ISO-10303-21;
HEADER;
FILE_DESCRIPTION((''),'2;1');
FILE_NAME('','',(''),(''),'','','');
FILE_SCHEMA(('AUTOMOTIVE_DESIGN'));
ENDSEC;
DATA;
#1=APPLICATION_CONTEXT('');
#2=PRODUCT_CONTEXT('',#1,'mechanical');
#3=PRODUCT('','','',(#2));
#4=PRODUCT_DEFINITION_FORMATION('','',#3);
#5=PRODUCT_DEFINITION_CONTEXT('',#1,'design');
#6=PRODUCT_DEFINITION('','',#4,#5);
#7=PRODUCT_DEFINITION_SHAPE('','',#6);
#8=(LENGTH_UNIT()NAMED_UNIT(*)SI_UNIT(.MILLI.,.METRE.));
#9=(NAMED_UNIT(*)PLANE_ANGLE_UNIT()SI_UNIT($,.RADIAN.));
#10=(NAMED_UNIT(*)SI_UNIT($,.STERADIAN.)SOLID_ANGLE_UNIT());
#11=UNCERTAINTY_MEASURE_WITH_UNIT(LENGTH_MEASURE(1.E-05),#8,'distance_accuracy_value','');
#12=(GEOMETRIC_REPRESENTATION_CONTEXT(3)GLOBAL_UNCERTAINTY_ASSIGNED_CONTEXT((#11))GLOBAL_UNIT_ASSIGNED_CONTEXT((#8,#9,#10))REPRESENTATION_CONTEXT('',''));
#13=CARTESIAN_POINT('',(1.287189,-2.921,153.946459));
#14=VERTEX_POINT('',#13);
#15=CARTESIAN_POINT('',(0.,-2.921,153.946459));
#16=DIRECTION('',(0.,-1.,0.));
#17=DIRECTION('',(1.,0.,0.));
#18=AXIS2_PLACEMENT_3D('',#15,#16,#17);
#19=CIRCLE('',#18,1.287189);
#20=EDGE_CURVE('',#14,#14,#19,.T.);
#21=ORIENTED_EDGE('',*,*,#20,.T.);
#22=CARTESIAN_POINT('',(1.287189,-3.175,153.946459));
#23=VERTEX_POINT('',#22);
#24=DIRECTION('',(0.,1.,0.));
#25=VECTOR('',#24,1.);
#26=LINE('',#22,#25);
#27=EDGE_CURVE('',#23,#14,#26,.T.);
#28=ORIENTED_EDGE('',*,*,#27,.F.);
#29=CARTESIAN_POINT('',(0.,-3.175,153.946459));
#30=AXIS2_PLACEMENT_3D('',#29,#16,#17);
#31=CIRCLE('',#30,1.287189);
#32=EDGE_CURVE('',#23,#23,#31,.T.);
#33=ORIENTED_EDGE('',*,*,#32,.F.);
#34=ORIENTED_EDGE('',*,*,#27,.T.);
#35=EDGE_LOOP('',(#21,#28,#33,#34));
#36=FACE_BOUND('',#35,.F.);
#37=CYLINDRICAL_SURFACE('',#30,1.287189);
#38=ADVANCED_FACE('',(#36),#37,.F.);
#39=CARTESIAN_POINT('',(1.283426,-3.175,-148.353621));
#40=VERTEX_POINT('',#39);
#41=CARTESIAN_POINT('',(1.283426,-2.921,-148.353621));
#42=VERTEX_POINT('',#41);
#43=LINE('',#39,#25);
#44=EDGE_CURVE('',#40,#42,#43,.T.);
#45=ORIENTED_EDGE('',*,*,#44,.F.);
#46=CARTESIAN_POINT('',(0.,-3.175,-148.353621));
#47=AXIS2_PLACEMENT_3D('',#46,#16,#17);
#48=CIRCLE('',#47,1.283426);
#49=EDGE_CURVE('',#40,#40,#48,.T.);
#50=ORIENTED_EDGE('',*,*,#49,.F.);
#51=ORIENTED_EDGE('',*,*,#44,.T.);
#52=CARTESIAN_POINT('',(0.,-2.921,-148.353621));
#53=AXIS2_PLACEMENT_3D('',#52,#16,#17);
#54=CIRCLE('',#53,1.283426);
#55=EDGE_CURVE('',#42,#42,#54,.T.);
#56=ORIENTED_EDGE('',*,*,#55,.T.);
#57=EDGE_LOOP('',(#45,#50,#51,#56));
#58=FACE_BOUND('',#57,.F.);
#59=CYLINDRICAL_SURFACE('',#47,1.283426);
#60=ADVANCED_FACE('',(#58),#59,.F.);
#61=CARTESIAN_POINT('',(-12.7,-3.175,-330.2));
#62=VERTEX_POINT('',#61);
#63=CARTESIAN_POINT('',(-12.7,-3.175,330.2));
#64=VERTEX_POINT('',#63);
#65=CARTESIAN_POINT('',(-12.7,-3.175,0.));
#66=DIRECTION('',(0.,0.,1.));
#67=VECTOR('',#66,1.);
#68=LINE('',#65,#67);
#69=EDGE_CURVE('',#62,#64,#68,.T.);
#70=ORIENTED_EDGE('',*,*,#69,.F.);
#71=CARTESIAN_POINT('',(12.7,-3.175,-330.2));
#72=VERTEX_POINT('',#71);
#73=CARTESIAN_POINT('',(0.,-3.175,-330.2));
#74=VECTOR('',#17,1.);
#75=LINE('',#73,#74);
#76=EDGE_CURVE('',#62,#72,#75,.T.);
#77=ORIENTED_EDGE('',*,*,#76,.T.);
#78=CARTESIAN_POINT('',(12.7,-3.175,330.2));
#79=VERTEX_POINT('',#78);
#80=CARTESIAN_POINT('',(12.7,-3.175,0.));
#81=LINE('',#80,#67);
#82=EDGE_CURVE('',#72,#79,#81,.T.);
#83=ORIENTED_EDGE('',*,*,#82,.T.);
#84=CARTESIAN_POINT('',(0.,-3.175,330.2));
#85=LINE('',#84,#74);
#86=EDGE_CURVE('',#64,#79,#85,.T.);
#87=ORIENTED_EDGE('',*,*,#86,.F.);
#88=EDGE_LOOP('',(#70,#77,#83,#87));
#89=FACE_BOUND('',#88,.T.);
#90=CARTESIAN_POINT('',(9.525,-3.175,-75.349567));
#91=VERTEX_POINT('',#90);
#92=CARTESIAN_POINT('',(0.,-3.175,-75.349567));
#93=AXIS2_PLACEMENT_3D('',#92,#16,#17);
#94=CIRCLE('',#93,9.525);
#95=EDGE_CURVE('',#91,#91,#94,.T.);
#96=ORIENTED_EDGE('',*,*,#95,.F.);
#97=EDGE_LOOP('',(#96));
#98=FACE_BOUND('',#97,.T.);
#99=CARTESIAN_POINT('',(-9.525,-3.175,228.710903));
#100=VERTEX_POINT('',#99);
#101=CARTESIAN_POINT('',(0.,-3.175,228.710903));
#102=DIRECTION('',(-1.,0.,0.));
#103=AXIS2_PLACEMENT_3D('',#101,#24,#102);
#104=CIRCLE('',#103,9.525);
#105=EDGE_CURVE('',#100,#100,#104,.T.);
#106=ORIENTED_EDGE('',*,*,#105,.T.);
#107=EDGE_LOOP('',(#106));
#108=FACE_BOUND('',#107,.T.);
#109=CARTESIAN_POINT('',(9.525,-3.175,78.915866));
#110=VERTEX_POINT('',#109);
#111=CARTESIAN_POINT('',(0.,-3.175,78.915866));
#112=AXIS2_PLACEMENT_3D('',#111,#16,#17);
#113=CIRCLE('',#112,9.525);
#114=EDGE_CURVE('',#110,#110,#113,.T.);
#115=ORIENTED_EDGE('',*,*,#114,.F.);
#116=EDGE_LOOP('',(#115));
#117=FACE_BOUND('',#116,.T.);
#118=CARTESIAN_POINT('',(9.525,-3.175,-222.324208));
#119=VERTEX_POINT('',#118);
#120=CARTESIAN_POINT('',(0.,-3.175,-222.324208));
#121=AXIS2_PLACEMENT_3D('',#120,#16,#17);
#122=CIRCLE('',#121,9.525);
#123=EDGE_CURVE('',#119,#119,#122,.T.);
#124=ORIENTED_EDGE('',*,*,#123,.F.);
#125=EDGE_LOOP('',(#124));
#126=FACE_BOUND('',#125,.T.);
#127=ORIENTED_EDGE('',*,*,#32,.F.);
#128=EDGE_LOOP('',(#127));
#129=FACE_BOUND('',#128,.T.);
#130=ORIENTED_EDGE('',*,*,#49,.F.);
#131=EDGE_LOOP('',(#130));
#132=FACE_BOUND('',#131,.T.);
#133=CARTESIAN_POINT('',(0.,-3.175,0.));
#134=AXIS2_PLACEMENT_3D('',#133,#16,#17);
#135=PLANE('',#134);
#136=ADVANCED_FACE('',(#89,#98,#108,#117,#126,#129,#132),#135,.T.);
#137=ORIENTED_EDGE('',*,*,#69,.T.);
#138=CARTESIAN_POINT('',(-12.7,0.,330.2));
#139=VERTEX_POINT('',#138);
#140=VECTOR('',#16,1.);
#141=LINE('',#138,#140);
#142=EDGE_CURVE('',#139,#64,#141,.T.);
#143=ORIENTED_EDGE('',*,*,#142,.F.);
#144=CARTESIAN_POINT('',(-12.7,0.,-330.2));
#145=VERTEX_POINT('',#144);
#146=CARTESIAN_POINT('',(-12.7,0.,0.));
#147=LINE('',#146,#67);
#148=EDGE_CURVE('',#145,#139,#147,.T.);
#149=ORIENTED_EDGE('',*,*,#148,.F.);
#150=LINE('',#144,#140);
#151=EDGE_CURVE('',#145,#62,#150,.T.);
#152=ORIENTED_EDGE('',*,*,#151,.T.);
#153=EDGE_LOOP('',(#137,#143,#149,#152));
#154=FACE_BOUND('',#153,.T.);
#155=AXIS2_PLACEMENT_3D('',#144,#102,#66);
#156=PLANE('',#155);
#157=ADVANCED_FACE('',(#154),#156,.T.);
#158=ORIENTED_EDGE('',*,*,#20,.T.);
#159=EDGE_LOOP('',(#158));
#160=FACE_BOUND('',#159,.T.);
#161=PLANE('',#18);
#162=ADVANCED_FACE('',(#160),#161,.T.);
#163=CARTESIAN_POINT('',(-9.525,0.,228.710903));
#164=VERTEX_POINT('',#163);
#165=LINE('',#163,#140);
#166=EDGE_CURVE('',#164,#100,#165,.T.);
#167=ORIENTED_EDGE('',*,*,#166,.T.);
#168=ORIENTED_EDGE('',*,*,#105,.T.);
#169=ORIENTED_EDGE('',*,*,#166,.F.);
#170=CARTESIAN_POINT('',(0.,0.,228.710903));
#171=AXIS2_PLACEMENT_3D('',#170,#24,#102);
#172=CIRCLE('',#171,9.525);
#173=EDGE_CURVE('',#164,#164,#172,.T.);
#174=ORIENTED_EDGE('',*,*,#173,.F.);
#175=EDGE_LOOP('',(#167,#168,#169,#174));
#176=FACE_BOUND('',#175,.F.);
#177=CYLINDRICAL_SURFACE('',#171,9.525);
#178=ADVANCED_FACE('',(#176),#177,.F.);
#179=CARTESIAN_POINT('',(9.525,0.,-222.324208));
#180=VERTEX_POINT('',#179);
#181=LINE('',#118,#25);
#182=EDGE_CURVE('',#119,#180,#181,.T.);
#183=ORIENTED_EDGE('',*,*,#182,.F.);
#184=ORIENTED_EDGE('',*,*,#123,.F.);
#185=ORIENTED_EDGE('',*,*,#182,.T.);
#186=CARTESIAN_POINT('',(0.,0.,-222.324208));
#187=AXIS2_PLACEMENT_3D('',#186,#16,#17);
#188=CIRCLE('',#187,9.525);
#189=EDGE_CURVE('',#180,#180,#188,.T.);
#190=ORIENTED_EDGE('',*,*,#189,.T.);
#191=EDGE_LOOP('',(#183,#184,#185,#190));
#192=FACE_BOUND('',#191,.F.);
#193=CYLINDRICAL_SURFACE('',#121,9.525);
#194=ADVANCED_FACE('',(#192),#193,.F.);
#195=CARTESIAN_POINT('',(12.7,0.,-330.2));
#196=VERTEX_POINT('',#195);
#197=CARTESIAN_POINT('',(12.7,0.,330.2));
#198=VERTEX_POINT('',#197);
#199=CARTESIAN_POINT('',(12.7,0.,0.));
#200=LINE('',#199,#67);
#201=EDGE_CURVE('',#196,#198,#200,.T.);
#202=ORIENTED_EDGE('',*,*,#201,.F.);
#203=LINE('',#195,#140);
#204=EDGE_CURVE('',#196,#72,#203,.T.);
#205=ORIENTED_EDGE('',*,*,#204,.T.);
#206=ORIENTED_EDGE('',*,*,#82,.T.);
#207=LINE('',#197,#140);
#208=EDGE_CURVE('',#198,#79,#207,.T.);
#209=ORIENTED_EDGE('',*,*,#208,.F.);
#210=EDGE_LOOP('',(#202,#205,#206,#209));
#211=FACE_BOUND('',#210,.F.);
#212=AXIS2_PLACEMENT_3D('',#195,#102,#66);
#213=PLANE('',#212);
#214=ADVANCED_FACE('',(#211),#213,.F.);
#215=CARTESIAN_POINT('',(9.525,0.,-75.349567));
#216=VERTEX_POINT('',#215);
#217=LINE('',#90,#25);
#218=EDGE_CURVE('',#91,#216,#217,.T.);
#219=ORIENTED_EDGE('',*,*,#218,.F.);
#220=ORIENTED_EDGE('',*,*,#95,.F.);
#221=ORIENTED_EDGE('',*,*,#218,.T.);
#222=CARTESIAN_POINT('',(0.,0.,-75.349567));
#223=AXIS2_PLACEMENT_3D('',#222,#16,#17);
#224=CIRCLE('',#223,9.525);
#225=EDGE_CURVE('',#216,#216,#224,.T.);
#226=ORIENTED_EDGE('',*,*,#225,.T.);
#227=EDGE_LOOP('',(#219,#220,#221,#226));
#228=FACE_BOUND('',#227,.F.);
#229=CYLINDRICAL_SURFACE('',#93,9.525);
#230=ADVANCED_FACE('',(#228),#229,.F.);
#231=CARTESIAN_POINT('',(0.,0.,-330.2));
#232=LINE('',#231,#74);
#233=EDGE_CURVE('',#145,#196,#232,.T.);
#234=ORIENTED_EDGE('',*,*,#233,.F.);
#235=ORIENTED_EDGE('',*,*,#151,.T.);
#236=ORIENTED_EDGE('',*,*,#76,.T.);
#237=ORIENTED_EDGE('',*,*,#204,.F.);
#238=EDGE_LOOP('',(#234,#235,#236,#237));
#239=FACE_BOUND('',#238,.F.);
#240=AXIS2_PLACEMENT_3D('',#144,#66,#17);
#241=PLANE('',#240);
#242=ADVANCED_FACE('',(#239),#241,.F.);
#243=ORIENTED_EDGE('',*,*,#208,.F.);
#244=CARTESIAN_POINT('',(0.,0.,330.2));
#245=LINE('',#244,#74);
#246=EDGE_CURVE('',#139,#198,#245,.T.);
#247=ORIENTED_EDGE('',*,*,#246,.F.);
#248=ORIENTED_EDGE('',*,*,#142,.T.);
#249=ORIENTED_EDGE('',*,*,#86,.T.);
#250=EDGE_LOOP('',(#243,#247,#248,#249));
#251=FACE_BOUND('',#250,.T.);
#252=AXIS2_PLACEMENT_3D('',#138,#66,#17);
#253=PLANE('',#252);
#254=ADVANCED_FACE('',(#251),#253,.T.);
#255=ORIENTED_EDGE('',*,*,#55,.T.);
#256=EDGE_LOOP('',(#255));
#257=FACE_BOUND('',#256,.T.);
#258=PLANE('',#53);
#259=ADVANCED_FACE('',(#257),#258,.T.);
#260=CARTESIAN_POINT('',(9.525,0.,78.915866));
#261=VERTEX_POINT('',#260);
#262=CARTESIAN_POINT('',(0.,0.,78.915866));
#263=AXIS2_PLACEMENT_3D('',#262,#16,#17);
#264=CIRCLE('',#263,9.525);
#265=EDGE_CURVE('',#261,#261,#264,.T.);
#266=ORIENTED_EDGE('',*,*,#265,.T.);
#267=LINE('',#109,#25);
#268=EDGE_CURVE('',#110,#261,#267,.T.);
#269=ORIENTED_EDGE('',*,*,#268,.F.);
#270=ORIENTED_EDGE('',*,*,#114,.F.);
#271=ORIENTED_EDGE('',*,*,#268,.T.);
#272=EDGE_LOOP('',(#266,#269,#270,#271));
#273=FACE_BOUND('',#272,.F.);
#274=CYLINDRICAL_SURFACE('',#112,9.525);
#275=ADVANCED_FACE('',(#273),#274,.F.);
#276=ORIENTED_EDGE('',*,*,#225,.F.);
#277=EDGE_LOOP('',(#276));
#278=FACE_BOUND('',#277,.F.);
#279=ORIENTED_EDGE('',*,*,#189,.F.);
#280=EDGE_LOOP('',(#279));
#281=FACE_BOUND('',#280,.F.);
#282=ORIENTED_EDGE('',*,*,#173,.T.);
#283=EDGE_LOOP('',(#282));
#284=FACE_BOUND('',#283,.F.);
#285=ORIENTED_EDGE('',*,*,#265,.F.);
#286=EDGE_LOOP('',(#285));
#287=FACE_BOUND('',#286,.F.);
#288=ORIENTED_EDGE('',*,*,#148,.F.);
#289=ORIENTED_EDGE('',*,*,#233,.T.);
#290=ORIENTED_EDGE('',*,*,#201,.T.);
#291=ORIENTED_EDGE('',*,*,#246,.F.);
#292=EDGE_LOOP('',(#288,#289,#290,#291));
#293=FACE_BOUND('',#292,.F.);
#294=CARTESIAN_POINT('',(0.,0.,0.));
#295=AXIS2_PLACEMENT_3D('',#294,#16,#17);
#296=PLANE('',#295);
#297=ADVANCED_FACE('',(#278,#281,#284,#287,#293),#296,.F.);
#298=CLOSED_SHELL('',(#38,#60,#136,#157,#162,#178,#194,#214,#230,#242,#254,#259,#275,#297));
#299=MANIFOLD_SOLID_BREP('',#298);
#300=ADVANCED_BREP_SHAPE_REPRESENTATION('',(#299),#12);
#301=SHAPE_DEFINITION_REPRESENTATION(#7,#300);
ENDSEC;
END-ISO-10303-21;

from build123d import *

# Parameters (mm, degrees)
F0_W      = 25.4
F0_H      = 660.4
F1_DEPTH  = 3.175
F2_R      = 9.525
F3_DEPTH  = 25.4
F4_R      = 9.525
F5_DEPTH  = 25.4
F6_R      = 9.525
F7_DEPTH  = 25.4
F8_R      = 9.525
F9_DEPTH  = 25.4
F11_R     = 1.287189
F12_DEPTH = 0.254
F13_R     = 1.283426
F14_DEPTH = 0.254


with BuildPart() as f1:
    # F0 (on Front) → F1 (new body)
    with BuildSketch(Plane.XZ):
        Rectangle(F0_W, F0_H)
    extrude(amount=F1_DEPTH)

    # F2 (on face) → F3 (cut)
    with BuildSketch(Plane.XZ.offset(3.175)):
        with Locations((0, 78.915866)):
            Circle(F2_R)
    extrude(amount=-F3_DEPTH, mode=Mode.SUBTRACT)

    # F4 (on face) → F5 (cut)
    with BuildSketch(Plane.XZ.offset(3.175)):
        with Locations((0, -75.349567)):
            Circle(F4_R)
    extrude(amount=-F5_DEPTH, mode=Mode.SUBTRACT)

    # F6 (on face) → F7 (cut)
    with BuildSketch(Plane.XZ.offset(3.175)):
        with Locations((0, -222.324208)):
            Circle(F6_R)
    extrude(amount=-F7_DEPTH, mode=Mode.SUBTRACT)

    # F8 (on face) → F9 (cut)
    with BuildSketch(Plane(origin=(0, 0, 0), x_dir=(-1, 0, 0), z_dir=(0, 1, 0))):
        with Locations((0, 228.710903)):
            Circle(F8_R)
    extrude(amount=-F9_DEPTH, mode=Mode.SUBTRACT)

    # F11 (on face) → F12 (cut)
    with BuildSketch(Plane.XZ.offset(3.175)):
        with Locations((0, 153.946459)):
            Circle(F11_R)
    extrude(amount=-F12_DEPTH, mode=Mode.SUBTRACT)

    # F13 (on face) → F14 (cut)
    with BuildSketch(Plane.XZ.offset(3.175)):
        with Locations((0, -148.353621)):
            Circle(F13_R)
    extrude(amount=-F14_DEPTH, mode=Mode.SUBTRACT)


solid = f1.part
